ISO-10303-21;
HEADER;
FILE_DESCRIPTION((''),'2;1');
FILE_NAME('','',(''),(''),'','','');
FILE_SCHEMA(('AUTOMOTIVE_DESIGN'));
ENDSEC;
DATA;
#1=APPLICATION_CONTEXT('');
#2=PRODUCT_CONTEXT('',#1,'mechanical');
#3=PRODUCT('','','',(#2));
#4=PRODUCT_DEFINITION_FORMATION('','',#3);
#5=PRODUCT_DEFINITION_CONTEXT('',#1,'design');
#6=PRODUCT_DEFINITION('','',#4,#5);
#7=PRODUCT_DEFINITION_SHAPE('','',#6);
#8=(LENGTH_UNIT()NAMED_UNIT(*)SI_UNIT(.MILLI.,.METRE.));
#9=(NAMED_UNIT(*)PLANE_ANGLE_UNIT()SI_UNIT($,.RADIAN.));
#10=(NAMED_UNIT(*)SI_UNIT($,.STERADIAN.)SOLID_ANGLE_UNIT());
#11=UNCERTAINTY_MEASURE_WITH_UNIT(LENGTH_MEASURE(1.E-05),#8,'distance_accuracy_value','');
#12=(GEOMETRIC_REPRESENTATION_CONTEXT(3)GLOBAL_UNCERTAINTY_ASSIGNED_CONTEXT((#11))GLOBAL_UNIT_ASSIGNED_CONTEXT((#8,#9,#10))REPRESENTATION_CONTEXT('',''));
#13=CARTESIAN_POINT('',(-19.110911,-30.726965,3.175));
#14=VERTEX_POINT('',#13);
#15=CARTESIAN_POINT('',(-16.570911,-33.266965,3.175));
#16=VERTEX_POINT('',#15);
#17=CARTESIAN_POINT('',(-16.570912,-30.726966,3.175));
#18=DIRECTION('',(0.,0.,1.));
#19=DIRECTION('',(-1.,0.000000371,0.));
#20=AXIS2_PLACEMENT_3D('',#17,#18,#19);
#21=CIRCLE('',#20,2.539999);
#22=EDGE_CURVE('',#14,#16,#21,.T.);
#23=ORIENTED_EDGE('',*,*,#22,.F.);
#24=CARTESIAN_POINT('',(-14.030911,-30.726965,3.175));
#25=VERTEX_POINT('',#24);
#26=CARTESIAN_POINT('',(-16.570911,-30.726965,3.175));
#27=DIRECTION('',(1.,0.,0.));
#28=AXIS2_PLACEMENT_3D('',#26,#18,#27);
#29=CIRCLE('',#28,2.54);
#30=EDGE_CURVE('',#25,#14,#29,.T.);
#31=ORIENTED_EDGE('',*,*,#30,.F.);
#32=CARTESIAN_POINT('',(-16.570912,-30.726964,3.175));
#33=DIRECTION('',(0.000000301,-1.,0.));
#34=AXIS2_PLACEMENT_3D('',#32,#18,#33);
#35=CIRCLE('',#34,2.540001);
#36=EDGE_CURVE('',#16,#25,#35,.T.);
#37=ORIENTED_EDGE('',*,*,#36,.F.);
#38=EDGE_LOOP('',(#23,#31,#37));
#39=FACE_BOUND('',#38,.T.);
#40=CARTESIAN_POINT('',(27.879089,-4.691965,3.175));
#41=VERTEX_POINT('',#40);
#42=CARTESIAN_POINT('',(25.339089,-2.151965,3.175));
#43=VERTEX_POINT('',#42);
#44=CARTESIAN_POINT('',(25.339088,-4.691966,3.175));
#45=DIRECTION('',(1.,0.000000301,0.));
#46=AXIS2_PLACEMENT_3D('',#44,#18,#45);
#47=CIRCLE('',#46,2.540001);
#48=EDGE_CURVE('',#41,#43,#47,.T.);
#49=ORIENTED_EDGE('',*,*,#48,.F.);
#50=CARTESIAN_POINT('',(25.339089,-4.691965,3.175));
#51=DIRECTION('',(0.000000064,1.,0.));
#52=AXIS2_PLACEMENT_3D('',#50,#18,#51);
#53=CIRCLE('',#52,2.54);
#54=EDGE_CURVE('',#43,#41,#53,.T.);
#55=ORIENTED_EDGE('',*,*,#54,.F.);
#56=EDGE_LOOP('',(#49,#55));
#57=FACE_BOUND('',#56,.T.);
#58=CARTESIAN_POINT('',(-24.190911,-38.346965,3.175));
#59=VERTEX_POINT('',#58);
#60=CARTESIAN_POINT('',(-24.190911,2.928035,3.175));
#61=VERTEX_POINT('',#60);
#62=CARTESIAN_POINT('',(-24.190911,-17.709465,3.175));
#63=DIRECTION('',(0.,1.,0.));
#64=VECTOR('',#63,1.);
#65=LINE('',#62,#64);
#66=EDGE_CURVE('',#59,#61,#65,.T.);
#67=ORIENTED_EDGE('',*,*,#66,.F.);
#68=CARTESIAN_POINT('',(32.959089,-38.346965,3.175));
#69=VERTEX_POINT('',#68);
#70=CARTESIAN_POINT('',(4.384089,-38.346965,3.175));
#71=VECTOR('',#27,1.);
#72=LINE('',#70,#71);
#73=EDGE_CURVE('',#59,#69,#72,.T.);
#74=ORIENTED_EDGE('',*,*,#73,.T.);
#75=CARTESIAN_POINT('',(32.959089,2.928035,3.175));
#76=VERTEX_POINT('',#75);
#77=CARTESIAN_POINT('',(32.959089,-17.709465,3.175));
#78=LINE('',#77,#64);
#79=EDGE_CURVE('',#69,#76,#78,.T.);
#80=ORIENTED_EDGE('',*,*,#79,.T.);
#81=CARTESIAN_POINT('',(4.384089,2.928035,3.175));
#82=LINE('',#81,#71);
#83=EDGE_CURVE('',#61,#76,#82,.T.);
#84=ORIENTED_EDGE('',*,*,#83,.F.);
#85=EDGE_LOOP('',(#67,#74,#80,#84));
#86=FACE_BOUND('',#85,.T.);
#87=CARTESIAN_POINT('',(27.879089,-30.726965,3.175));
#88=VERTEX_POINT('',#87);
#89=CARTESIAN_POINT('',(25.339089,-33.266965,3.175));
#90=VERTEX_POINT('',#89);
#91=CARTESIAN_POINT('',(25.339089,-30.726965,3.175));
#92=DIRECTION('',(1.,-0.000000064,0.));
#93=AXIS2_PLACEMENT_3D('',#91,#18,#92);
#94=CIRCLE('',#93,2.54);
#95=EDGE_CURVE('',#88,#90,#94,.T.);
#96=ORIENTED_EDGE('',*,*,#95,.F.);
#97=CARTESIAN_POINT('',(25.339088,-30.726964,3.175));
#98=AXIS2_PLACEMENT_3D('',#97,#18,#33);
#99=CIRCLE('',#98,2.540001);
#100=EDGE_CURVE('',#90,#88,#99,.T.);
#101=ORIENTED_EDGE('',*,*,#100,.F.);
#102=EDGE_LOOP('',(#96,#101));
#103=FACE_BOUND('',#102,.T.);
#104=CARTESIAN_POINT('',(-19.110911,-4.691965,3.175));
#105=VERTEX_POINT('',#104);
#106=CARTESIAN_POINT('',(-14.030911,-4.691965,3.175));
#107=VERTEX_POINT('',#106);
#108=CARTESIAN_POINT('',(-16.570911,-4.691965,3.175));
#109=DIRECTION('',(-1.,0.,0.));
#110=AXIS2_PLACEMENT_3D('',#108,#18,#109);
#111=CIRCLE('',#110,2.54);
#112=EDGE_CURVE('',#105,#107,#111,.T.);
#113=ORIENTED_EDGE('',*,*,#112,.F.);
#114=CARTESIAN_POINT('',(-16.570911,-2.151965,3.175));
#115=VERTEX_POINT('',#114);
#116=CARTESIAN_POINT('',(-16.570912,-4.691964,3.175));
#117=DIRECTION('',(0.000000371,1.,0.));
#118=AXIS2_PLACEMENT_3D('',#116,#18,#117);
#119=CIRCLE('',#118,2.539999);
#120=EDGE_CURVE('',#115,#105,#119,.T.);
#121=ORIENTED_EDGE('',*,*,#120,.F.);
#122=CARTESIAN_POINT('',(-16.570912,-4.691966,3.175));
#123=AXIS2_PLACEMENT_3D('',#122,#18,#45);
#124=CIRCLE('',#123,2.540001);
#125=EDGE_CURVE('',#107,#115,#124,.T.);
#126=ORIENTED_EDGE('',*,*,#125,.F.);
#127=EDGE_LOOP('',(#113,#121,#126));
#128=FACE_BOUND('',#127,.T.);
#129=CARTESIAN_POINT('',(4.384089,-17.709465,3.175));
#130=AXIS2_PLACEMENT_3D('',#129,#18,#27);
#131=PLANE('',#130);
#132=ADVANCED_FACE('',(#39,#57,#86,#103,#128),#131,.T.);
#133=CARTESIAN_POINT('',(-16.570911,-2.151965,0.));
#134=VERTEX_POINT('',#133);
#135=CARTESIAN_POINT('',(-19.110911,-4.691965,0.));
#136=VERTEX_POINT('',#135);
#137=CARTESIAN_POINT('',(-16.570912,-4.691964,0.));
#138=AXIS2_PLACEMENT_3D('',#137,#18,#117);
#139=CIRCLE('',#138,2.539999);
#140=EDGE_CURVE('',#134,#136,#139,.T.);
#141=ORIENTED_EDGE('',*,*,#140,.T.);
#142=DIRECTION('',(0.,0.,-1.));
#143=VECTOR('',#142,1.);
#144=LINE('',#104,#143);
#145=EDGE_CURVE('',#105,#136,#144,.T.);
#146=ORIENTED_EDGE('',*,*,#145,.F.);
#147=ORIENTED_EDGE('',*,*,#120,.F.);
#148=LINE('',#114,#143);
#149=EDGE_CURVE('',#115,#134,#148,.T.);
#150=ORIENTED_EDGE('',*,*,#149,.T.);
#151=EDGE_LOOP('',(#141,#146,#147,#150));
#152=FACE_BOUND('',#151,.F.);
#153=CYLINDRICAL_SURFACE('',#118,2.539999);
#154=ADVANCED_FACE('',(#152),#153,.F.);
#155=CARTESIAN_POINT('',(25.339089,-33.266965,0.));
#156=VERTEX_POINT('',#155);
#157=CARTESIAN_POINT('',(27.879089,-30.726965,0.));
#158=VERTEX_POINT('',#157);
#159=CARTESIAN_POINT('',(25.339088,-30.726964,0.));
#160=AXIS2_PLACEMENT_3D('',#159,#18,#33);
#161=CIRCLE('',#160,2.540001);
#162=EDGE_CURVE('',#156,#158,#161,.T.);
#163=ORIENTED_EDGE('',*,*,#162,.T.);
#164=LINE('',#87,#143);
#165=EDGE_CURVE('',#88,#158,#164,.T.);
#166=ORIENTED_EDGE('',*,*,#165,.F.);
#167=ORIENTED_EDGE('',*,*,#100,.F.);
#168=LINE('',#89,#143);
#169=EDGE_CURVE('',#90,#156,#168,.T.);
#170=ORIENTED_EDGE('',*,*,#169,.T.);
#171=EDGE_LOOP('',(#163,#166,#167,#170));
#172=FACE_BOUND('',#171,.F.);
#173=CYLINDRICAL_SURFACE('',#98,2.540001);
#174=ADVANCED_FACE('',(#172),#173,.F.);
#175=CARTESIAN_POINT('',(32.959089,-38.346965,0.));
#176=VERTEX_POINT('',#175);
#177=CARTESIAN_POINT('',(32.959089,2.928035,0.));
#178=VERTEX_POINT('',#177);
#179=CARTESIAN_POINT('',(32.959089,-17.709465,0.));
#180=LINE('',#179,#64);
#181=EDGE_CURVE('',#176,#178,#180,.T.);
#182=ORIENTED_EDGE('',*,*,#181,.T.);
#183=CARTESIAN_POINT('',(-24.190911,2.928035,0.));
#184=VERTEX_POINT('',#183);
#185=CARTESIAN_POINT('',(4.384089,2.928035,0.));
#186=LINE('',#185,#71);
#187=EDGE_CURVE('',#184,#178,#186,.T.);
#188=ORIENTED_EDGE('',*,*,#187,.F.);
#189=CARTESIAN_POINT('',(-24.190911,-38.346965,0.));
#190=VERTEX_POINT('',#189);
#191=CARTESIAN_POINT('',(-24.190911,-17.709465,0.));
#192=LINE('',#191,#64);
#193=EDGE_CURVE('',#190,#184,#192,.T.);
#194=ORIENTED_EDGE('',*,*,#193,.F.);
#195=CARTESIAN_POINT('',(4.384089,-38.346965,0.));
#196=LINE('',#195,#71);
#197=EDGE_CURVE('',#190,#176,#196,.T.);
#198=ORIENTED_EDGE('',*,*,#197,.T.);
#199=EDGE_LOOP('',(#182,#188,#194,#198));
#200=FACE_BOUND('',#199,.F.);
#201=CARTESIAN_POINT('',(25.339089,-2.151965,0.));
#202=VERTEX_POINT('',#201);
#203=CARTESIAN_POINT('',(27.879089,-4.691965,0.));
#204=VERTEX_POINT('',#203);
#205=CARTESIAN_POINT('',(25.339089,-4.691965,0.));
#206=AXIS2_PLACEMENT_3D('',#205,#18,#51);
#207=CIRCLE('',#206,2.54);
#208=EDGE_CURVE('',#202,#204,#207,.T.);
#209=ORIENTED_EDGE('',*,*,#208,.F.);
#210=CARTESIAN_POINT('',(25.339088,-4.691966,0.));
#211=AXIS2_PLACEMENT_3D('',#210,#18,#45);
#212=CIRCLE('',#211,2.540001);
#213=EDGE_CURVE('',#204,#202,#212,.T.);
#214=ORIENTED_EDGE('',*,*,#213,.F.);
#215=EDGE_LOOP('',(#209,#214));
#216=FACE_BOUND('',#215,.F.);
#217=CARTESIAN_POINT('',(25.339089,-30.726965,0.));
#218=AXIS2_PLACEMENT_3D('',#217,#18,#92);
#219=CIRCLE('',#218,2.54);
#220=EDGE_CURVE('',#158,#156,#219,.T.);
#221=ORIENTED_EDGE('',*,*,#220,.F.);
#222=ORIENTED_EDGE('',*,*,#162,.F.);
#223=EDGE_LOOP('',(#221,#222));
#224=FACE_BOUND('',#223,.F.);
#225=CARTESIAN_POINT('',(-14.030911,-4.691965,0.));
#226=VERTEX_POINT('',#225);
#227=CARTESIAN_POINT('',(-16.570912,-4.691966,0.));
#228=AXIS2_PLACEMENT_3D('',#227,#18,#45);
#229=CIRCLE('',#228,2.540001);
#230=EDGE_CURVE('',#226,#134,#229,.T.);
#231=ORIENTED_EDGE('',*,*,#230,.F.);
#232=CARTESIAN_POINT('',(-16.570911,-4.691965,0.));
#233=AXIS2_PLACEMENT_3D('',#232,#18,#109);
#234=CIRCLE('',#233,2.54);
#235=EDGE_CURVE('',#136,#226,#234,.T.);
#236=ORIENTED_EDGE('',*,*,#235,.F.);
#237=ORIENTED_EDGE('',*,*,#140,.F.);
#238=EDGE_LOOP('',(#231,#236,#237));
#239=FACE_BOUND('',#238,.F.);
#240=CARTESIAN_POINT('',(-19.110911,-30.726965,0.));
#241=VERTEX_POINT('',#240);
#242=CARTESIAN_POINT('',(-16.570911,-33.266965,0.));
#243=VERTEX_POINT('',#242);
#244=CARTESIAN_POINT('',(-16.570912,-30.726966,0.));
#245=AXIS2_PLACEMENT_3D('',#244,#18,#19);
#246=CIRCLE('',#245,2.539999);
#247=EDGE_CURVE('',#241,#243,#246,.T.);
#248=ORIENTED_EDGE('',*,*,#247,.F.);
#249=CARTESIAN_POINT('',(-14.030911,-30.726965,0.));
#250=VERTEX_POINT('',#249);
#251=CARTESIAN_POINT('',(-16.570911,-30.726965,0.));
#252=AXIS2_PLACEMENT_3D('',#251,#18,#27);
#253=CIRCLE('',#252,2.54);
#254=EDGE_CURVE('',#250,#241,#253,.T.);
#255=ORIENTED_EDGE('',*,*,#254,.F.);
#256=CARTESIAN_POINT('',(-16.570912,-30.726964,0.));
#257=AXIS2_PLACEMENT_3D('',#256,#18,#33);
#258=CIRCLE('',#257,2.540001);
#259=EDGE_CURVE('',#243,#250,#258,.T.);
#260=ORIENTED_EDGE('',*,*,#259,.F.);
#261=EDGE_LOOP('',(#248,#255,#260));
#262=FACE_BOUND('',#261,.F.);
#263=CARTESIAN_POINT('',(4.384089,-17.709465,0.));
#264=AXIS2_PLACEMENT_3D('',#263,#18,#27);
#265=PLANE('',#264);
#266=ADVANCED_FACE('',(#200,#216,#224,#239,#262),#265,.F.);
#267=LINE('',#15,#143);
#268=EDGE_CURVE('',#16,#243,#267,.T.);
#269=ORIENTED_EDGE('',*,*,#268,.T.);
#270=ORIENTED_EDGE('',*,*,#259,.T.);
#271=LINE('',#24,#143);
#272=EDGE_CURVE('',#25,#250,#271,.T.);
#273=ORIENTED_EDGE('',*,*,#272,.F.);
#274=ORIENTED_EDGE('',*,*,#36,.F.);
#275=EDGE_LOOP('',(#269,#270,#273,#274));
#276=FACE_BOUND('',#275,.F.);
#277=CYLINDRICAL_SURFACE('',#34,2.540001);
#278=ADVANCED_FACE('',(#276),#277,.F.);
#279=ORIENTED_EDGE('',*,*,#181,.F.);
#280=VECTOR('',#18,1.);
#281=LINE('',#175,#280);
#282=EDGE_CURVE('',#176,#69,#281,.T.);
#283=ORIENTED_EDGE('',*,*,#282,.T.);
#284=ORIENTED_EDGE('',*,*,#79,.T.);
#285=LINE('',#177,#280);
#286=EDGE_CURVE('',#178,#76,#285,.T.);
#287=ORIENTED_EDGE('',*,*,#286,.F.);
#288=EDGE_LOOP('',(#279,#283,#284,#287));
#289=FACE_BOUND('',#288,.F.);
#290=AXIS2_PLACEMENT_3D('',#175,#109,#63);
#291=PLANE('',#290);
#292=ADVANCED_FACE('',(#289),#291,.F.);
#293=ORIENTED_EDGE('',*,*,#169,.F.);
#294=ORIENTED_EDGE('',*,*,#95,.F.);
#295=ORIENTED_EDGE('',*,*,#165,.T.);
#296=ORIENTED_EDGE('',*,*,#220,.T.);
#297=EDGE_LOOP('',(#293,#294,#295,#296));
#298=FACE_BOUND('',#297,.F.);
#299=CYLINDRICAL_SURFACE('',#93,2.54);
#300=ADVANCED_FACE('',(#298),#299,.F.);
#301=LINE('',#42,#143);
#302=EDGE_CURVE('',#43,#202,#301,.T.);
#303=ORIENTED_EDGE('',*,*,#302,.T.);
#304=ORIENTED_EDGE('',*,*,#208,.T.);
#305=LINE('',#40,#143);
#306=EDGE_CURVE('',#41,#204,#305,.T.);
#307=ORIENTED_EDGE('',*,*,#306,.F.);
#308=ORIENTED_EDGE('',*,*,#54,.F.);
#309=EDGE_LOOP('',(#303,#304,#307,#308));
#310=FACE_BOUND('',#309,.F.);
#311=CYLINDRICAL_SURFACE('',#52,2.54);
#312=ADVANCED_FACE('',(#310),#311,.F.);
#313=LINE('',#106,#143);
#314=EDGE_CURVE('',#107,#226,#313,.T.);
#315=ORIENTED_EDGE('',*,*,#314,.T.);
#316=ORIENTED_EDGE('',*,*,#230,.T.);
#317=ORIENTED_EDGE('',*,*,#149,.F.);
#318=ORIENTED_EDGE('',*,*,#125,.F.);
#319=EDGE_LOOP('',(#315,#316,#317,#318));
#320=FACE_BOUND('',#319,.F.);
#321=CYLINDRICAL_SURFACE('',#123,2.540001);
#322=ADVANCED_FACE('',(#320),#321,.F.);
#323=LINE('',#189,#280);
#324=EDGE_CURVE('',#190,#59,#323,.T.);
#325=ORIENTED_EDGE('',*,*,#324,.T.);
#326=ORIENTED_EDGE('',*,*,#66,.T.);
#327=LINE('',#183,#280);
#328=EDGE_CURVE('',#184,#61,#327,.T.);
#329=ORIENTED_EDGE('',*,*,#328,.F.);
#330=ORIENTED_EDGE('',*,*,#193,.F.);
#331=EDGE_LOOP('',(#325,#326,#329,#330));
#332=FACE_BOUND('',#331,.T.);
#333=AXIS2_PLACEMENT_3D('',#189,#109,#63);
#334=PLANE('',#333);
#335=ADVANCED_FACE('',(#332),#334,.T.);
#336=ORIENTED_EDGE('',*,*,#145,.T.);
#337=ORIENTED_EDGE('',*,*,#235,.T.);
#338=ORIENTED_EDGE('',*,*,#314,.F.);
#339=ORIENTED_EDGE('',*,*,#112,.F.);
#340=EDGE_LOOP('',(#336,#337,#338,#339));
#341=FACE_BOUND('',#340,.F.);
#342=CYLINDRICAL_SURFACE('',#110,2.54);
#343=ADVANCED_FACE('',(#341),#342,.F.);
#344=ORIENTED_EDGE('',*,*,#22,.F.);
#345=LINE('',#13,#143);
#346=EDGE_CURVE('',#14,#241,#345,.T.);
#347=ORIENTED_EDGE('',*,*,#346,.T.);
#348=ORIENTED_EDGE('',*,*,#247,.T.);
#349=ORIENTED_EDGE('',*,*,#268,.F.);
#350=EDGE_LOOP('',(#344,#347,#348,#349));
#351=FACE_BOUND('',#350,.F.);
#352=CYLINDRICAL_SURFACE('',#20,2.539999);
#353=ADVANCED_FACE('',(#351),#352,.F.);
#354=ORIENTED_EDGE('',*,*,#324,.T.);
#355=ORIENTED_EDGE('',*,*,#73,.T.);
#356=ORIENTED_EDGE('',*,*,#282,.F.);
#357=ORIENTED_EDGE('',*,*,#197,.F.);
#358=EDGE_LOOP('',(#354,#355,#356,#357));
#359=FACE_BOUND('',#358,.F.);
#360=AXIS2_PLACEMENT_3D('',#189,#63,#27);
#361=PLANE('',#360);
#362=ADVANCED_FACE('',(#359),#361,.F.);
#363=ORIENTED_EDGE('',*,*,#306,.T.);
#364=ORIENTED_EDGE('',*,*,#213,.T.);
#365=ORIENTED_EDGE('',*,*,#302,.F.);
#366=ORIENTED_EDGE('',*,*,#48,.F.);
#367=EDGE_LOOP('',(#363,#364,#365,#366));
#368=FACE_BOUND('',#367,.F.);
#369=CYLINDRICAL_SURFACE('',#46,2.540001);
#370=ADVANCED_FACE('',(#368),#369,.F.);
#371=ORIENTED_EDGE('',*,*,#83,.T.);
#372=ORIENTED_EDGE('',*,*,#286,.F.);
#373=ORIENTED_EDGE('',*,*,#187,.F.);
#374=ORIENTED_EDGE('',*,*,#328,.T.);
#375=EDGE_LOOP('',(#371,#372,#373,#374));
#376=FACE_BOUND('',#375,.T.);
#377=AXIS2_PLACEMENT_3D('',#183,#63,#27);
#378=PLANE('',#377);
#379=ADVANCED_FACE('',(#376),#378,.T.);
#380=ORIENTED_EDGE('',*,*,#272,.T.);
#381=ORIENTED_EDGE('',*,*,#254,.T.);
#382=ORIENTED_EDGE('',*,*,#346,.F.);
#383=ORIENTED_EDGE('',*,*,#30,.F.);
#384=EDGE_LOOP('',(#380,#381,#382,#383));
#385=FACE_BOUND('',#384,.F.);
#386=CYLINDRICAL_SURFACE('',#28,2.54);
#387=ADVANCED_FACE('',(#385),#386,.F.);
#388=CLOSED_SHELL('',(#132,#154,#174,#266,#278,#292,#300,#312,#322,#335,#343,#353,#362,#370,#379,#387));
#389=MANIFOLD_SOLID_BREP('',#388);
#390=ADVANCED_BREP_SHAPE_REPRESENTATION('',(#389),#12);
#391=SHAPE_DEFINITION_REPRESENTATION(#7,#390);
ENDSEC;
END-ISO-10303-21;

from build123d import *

# Parameters (mm, degrees)
F0_W     = 57.15
F0_H     = 41.275
F1_DEPTH = 3.175
F3_DEPTH = 6.35


with BuildPart() as f1:
    # F0 (on Top) → F1 (new body)
    with BuildSketch(Plane.XY):
        with Locations((4.384089, -17.709465)):
            Rectangle(F0_W, F0_H)
    extrude(amount=F1_DEPTH)

    # F2 (on face) → F3 (cut)
    with BuildSketch(Plane.XY.offset(3.175)):
        with BuildLine():
            Line((-16.570911, -4.691965), (-16.570911, -2.151965))
            ThreePointArc((-16.570911, -2.151965), (-18.366963, -2.895914), (-19.110911, -4.691965))
            Line((-19.110911, -4.691965), (-16.570911, -4.691965))
        make_face()
        with BuildLine():
            ThreePointArc((-14.030911, -4.691965), (-14.77486, -2.895914), (-16.570911, -2.151965))
            Line((-16.570911, -2.151965), (-16.570911, -4.691965))
            Line((-16.570911, -4.691965), (-19.110911, -4.691965))
            ThreePointArc((-19.110911, -4.691965), (-16.570911, -7.231965), (-14.030911, -4.691965))
        make_face()
        with BuildLine():
            ThreePointArc((27.879089, -4.691965), (27.13514, -2.895914), (25.339089, -2.151965))
            Line((25.339089, -2.151965), (25.339089, -4.691965))
            Line((25.339089, -4.691965), (27.879089, -4.691965))
        make_face()
        with BuildLine():
            Line((25.339089, -4.691965), (25.339089, -2.151965))
            ThreePointArc((25.339089, -2.151965), (23.543037, -6.488016), (27.879089, -4.691965))
            Line((27.879089, -4.691965), (25.339089, -4.691965))
        make_face()
        with BuildLine():
            Line((25.339089, -30.726965), (27.879089, -30.726965))
            ThreePointArc((27.879089, -30.726965), (23.543037, -28.930914), (25.339089, -33.266965))
            Line((25.339089, -33.266965), (25.339089, -30.726965))
        make_face()
        with BuildLine():
            ThreePointArc((25.339089, -33.266965), (27.13514, -32.523016), (27.879089, -30.726965))
            Line((27.879089, -30.726965), (25.339089, -30.726965))
            Line((25.339089, -30.726965), (25.339089, -33.266965))
        make_face()
        with BuildLine():
            Line((-16.570911, -30.726965), (-19.110911, -30.726965))
            ThreePointArc((-19.110911, -30.726965), (-18.366963, -32.523016), (-16.570911, -33.266965))
            Line((-16.570911, -33.266965), (-16.570911, -30.726965))
        make_face()
        with BuildLine():
            ThreePointArc((-14.030911, -30.726965), (-16.570911, -28.186965), (-19.110911, -30.726965))
            Line((-19.110911, -30.726965), (-16.570911, -30.726965))
            Line((-16.570911, -30.726965), (-16.570911, -33.266965))
            ThreePointArc((-16.570911, -33.266965), (-14.77486, -32.523016), (-14.030911, -30.726965))
        make_face()
    extrude(amount=-F3_DEPTH, mode=Mode.SUBTRACT)


solid = f1.part
